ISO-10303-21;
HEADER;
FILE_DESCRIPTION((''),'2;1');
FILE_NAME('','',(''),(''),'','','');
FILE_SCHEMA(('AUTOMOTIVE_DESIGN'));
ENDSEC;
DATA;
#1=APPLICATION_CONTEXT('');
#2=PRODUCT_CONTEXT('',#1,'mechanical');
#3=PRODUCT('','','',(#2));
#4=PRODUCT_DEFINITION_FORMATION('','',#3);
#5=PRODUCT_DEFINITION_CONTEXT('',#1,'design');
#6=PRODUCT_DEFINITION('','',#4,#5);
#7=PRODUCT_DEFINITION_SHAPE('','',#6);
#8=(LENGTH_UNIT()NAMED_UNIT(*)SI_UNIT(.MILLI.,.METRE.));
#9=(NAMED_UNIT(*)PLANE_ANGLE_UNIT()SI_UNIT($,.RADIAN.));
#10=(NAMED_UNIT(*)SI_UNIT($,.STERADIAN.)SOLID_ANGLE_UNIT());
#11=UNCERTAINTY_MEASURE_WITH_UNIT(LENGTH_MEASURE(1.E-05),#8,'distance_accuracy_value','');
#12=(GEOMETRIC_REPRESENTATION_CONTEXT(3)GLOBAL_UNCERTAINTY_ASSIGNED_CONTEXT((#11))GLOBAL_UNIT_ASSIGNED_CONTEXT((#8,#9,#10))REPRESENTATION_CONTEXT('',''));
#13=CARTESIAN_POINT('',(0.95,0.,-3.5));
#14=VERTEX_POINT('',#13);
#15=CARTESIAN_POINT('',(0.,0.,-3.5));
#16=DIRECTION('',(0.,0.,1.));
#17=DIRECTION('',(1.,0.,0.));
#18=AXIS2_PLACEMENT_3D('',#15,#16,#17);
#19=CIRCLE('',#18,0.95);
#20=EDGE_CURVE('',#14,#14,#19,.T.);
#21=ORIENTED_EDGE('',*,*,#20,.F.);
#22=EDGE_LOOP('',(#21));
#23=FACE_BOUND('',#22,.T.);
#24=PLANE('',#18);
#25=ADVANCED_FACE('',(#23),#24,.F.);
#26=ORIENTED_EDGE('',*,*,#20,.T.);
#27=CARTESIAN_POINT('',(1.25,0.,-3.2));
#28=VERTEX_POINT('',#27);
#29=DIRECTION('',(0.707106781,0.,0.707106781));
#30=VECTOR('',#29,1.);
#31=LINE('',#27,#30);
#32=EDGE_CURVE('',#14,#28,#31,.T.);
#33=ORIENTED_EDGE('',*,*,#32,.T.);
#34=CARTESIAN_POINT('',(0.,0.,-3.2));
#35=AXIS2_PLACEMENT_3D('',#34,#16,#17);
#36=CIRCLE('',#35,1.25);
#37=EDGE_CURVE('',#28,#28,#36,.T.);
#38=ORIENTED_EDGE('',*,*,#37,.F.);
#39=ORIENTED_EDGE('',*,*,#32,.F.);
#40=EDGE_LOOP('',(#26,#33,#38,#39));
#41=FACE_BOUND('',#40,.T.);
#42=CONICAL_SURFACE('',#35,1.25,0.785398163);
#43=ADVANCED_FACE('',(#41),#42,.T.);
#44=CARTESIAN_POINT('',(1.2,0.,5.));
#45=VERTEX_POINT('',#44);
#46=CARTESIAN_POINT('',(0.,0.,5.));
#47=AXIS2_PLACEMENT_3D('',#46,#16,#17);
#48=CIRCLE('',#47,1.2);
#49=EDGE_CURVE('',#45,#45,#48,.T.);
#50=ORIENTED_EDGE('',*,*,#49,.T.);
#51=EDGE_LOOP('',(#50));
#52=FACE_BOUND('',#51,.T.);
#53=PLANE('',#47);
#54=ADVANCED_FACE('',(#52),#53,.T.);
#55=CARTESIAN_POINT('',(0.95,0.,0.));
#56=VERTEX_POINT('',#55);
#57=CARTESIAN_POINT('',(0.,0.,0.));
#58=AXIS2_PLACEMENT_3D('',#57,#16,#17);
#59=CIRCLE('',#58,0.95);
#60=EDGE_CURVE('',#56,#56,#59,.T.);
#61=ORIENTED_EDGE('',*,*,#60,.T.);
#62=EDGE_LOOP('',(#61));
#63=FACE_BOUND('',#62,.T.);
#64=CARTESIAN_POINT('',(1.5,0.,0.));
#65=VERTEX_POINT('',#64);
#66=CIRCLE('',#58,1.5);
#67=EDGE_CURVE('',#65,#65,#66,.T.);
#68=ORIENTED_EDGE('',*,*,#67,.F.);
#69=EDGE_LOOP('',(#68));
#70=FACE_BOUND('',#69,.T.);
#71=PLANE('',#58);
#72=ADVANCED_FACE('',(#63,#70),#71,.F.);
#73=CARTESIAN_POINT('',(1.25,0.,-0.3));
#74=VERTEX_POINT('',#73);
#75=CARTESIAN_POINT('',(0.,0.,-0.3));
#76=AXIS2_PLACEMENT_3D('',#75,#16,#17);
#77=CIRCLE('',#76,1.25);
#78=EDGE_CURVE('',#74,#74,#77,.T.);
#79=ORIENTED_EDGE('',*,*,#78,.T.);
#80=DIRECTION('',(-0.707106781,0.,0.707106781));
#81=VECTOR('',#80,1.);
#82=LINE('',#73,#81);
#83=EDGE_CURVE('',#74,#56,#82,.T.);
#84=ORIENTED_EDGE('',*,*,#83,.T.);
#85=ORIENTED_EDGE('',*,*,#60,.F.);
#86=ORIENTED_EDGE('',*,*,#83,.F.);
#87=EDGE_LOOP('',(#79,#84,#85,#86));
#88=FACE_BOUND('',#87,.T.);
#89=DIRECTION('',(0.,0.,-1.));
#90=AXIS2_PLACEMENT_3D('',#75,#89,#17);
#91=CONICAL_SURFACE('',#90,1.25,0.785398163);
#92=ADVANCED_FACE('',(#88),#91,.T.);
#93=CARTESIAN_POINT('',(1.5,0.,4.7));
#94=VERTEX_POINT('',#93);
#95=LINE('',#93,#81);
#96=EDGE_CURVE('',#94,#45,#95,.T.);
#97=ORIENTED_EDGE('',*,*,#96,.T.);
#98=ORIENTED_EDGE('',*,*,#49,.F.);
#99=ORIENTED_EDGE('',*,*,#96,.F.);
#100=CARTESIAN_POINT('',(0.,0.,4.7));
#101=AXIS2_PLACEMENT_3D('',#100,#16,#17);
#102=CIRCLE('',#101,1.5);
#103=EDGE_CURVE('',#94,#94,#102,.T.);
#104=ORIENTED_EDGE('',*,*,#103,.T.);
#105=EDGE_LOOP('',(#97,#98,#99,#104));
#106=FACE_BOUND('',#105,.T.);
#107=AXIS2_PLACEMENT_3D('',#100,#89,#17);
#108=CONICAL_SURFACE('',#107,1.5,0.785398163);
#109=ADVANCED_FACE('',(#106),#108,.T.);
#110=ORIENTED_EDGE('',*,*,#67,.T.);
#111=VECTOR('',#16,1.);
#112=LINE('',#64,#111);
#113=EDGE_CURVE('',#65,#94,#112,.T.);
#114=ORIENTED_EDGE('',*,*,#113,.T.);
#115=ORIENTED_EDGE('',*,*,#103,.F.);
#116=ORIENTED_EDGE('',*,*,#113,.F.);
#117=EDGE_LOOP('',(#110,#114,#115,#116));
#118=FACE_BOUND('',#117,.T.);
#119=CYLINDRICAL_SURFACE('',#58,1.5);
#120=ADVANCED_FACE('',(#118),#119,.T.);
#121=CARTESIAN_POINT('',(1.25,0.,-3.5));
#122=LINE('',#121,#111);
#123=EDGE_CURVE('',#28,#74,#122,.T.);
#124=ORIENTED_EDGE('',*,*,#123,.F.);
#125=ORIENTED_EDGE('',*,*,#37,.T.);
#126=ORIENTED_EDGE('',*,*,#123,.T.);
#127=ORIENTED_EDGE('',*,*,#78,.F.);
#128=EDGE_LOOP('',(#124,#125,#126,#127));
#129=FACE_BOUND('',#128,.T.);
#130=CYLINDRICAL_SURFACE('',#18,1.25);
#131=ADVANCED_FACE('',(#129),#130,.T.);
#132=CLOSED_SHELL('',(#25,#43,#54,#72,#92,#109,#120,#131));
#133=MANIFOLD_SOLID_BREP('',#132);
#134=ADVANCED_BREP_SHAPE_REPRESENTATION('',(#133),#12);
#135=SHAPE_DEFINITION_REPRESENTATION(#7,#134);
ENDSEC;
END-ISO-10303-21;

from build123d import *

# Parameters (mm, degrees)
F2_SIZE = 0.3


with BuildPart() as f1:
    # F0 (on Front) → F1 (revolve)
    with BuildSketch(Plane.XZ):
        Polygon((0, 5), (0, 0), (0, -3.5), (1.25, -3.5), (1.25, -0.3), (0.95, 0), (1.25, 0), (1.5, 0), (1.5, 5), align=None)
    revolve(axis=Axis((0, 0, -1.75), (0, 0, 1)))

    # F2
    f2_edges = [f1.edges().sort_by_distance(p)[0] for p in [
        (-1.5, 0, 5),
        (-1.25, 0, -3.5),
    ]]
    chamfer(f2_edges, length=F2_SIZE)


solid = f1.part
